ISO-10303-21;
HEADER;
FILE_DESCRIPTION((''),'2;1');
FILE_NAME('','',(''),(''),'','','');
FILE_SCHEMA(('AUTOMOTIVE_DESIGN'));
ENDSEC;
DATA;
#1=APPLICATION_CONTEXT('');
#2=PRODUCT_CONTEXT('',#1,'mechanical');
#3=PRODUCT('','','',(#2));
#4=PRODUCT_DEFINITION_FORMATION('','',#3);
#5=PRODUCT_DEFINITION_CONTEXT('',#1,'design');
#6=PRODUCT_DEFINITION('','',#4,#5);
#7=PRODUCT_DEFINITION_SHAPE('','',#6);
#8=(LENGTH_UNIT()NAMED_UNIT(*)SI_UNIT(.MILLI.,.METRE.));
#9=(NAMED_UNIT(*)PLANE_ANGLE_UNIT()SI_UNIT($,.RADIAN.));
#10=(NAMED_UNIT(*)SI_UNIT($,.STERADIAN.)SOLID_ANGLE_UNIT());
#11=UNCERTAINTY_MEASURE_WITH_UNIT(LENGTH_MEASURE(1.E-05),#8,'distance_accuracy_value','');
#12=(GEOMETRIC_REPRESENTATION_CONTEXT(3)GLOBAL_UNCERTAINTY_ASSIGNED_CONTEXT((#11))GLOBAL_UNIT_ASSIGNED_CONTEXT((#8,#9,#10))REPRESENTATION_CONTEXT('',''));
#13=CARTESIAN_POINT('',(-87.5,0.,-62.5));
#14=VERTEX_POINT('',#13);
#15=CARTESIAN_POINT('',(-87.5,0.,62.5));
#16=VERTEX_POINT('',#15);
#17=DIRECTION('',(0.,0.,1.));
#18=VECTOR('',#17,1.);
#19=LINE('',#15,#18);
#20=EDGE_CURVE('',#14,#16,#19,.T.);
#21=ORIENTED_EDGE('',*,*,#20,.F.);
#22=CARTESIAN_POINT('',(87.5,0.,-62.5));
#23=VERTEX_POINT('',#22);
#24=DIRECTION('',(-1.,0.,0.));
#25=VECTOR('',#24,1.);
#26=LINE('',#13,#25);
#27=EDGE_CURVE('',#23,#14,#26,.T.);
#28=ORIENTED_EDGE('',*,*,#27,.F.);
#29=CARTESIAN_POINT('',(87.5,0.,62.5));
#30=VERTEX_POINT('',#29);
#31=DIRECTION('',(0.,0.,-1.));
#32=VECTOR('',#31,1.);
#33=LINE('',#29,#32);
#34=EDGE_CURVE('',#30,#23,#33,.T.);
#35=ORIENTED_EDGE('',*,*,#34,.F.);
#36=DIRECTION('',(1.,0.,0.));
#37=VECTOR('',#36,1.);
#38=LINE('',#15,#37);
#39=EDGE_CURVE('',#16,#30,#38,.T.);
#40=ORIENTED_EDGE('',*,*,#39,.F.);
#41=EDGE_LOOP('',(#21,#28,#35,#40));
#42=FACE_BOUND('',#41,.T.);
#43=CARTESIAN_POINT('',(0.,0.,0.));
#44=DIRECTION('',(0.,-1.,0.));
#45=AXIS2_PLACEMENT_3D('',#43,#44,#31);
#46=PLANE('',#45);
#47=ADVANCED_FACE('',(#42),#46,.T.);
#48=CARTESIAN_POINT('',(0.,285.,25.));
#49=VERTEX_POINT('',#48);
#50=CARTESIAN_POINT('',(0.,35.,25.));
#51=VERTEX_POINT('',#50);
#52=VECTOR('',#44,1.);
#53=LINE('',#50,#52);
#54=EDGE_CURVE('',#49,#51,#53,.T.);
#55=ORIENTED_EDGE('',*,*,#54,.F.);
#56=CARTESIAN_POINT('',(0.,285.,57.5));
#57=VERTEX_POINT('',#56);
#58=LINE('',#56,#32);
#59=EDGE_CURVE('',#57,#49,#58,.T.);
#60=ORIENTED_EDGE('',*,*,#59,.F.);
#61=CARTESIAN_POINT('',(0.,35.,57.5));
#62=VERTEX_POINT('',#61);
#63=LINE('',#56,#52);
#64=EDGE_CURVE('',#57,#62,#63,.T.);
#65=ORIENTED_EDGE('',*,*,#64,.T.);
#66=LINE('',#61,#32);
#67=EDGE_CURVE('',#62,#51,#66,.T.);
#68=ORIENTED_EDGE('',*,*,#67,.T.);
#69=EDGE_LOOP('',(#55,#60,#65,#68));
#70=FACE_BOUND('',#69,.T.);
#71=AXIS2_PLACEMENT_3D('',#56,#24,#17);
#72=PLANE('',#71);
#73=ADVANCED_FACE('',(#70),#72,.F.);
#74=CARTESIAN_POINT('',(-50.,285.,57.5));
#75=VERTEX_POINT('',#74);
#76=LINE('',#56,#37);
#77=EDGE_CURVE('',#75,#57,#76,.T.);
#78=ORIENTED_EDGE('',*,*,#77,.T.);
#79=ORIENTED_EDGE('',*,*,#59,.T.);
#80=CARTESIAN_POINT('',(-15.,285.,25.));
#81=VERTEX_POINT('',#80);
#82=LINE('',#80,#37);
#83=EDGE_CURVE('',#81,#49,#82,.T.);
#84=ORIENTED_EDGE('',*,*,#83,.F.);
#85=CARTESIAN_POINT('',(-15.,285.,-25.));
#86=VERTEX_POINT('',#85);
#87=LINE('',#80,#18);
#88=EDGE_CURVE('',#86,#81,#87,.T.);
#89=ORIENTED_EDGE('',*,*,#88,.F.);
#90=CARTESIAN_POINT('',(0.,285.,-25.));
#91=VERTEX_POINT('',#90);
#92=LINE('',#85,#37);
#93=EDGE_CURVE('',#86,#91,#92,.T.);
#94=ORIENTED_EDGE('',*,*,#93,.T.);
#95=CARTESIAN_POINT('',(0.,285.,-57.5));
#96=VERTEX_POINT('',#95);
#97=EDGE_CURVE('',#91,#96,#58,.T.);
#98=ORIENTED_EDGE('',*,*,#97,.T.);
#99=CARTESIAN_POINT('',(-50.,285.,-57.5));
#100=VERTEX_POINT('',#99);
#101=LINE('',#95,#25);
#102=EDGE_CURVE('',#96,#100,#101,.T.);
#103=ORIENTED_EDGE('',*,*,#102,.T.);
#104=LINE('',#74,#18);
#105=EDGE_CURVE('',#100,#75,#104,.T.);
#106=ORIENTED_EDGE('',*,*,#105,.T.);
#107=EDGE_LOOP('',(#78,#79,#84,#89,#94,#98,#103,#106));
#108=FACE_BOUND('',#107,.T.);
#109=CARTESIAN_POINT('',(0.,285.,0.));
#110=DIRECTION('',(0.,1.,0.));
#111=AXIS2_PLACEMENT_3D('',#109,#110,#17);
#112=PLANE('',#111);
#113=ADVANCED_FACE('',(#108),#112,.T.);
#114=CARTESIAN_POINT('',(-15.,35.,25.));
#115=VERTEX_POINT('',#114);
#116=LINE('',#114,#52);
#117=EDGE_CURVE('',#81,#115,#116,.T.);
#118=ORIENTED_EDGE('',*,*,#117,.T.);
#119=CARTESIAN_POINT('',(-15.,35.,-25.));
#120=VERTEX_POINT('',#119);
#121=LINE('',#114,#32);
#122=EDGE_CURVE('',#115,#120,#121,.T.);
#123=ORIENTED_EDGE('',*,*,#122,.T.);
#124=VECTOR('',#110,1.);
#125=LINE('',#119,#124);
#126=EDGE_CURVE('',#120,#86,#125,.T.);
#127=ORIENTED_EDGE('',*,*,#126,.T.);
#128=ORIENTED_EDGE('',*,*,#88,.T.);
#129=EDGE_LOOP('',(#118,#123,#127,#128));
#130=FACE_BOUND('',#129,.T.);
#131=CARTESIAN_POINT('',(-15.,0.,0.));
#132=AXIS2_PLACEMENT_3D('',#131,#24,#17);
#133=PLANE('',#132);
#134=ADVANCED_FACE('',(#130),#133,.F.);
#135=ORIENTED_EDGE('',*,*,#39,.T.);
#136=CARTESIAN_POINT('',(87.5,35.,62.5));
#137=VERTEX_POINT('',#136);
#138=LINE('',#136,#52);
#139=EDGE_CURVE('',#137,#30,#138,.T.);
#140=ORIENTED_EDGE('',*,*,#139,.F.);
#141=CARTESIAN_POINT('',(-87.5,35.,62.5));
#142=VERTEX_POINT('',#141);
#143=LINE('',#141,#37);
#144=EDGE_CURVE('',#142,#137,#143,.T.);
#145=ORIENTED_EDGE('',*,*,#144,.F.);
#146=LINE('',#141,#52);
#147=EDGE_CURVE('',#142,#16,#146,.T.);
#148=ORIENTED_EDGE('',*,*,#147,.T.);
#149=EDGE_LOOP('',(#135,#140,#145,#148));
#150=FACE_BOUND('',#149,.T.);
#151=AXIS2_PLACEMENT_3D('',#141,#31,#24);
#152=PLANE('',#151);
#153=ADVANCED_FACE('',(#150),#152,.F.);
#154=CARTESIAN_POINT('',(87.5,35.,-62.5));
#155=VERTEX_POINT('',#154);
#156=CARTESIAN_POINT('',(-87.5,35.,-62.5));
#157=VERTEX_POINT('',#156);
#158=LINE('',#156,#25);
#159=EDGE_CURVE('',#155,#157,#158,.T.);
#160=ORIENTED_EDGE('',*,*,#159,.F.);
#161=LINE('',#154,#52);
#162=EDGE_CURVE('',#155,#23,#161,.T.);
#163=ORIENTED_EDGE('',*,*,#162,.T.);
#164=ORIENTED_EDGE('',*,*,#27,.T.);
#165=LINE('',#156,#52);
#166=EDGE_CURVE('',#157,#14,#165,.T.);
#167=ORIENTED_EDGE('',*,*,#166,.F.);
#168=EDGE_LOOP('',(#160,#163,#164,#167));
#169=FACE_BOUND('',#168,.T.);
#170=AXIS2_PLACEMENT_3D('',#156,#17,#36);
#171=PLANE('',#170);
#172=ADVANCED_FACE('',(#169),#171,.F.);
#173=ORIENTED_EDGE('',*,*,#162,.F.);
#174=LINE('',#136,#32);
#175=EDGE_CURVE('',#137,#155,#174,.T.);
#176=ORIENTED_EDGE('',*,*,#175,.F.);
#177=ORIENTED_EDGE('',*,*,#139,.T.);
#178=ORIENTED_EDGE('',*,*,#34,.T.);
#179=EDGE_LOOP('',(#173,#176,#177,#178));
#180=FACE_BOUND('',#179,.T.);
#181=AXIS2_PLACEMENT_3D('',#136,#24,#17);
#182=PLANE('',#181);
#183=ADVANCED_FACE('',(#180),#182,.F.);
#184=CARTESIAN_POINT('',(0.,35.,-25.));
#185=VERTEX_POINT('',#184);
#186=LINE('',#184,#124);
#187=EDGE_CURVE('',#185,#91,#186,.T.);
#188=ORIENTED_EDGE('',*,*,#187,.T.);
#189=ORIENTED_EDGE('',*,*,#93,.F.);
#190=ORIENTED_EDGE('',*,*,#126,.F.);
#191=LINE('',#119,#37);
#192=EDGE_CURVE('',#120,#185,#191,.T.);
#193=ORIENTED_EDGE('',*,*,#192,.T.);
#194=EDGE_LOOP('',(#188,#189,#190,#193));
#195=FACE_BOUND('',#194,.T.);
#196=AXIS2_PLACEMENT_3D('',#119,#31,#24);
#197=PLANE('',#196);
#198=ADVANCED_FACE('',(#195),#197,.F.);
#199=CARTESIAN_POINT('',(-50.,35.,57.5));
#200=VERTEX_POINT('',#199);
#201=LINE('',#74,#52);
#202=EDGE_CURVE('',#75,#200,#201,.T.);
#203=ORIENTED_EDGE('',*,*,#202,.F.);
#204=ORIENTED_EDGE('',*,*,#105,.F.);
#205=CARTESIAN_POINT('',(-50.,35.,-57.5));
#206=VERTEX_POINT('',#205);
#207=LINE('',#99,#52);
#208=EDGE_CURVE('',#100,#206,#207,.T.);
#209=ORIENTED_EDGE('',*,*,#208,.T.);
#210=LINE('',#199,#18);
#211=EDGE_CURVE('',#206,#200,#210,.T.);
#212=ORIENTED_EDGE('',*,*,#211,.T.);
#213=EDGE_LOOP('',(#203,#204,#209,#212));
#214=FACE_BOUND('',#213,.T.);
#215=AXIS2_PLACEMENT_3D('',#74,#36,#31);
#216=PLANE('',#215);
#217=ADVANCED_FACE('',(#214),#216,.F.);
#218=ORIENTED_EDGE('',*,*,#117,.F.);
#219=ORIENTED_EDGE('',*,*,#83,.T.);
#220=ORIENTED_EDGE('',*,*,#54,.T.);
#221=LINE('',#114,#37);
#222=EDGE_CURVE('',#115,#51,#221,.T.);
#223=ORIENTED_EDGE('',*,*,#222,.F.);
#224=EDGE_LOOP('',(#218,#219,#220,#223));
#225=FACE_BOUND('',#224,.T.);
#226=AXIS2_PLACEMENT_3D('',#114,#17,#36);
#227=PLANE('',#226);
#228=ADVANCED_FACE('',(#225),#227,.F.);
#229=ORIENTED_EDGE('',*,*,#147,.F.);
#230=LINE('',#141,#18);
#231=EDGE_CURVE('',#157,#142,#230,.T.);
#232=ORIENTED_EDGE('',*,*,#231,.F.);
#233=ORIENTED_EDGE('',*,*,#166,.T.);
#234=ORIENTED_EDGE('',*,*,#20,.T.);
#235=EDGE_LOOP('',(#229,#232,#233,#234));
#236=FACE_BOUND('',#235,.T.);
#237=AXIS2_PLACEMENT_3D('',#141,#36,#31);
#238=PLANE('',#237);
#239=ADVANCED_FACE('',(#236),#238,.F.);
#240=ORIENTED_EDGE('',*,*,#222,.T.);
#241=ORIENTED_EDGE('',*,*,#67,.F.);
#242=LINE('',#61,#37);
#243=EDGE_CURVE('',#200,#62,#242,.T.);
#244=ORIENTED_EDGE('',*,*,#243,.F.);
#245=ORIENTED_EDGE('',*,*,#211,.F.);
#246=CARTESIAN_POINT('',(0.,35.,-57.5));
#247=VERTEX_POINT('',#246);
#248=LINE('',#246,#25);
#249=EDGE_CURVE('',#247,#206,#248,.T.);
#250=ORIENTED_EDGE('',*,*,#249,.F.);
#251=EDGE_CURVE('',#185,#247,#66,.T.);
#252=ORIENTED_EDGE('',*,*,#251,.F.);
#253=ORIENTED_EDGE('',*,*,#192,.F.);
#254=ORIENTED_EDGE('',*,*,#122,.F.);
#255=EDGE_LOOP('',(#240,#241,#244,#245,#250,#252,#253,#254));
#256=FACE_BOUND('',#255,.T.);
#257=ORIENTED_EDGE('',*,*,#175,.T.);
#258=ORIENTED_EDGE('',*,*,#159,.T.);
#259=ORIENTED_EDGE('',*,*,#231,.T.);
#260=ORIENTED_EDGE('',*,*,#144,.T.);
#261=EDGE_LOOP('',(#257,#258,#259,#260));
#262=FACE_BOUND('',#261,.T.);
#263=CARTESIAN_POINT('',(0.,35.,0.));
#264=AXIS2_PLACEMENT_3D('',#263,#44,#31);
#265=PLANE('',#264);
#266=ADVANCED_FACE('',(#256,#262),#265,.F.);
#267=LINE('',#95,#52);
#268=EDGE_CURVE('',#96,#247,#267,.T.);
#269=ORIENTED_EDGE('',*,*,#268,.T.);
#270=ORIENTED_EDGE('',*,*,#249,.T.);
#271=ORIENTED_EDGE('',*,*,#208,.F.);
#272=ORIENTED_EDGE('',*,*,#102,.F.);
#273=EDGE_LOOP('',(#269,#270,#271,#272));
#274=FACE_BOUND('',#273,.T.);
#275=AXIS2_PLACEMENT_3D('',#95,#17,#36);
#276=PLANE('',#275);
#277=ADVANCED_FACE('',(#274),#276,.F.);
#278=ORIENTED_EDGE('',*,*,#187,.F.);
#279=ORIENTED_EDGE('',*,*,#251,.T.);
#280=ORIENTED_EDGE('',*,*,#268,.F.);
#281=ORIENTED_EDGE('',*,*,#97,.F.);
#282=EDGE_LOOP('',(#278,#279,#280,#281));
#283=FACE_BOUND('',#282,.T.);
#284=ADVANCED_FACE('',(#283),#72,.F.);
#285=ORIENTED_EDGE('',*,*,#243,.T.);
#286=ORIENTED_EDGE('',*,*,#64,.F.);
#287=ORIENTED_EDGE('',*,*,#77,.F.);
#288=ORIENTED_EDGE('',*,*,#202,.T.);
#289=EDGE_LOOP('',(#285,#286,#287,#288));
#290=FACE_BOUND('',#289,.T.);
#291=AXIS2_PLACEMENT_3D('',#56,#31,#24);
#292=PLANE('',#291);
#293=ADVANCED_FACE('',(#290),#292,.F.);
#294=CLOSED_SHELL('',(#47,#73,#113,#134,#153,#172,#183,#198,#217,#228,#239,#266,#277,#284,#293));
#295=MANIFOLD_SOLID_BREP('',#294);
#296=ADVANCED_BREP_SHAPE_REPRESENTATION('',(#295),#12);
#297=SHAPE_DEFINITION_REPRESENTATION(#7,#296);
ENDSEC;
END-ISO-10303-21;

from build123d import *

# Parameters (mm, degrees)
CROQUIS1_W              = 175
CROQUIS1_H              = 125
SALIENTE_EXTRUIR1_DEPTH = 35
CROQUIS2_W              = 50
CROQUIS2_H              = 115
SALIENTE_EXTRUIR2_DEPTH = 250
CROQUIS3_W              = 50
CROQUIS3_H              = 250
CORTAR_EXTRUIR1_DEPTH   = 15


with BuildPart() as part:
    # Croquis1 → Saliente-Extruir1 (new body)
    with BuildSketch(Plane(origin=(0, 0, 0), x_dir=(1, 0, 0), z_dir=(0, 1, 0))):
        Rectangle(CROQUIS1_W, CROQUIS1_H)
    extrude(amount=SALIENTE_EXTRUIR1_DEPTH)

    # Croquis2 → Saliente-Extruir2 (add)
    with BuildSketch(Plane(origin=(0, 35, 0), x_dir=(1, 0, 0), z_dir=(0, 1, 0))):
        with Locations((-25, 0)):
            Rectangle(CROQUIS2_W, CROQUIS2_H)
    extrude(amount=SALIENTE_EXTRUIR2_DEPTH)

    # Croquis3 → Cortar-Extruir1 (cut)
    with BuildSketch(Plane(origin=(0, 0, 0), x_dir=(0, 0, -1), z_dir=(1, 0, 0))):
        with Locations((0, 160)):
            Rectangle(CROQUIS3_W, CROQUIS3_H)
    extrude(amount=-CORTAR_EXTRUIR1_DEPTH, mode=Mode.SUBTRACT)


solid = part.part
